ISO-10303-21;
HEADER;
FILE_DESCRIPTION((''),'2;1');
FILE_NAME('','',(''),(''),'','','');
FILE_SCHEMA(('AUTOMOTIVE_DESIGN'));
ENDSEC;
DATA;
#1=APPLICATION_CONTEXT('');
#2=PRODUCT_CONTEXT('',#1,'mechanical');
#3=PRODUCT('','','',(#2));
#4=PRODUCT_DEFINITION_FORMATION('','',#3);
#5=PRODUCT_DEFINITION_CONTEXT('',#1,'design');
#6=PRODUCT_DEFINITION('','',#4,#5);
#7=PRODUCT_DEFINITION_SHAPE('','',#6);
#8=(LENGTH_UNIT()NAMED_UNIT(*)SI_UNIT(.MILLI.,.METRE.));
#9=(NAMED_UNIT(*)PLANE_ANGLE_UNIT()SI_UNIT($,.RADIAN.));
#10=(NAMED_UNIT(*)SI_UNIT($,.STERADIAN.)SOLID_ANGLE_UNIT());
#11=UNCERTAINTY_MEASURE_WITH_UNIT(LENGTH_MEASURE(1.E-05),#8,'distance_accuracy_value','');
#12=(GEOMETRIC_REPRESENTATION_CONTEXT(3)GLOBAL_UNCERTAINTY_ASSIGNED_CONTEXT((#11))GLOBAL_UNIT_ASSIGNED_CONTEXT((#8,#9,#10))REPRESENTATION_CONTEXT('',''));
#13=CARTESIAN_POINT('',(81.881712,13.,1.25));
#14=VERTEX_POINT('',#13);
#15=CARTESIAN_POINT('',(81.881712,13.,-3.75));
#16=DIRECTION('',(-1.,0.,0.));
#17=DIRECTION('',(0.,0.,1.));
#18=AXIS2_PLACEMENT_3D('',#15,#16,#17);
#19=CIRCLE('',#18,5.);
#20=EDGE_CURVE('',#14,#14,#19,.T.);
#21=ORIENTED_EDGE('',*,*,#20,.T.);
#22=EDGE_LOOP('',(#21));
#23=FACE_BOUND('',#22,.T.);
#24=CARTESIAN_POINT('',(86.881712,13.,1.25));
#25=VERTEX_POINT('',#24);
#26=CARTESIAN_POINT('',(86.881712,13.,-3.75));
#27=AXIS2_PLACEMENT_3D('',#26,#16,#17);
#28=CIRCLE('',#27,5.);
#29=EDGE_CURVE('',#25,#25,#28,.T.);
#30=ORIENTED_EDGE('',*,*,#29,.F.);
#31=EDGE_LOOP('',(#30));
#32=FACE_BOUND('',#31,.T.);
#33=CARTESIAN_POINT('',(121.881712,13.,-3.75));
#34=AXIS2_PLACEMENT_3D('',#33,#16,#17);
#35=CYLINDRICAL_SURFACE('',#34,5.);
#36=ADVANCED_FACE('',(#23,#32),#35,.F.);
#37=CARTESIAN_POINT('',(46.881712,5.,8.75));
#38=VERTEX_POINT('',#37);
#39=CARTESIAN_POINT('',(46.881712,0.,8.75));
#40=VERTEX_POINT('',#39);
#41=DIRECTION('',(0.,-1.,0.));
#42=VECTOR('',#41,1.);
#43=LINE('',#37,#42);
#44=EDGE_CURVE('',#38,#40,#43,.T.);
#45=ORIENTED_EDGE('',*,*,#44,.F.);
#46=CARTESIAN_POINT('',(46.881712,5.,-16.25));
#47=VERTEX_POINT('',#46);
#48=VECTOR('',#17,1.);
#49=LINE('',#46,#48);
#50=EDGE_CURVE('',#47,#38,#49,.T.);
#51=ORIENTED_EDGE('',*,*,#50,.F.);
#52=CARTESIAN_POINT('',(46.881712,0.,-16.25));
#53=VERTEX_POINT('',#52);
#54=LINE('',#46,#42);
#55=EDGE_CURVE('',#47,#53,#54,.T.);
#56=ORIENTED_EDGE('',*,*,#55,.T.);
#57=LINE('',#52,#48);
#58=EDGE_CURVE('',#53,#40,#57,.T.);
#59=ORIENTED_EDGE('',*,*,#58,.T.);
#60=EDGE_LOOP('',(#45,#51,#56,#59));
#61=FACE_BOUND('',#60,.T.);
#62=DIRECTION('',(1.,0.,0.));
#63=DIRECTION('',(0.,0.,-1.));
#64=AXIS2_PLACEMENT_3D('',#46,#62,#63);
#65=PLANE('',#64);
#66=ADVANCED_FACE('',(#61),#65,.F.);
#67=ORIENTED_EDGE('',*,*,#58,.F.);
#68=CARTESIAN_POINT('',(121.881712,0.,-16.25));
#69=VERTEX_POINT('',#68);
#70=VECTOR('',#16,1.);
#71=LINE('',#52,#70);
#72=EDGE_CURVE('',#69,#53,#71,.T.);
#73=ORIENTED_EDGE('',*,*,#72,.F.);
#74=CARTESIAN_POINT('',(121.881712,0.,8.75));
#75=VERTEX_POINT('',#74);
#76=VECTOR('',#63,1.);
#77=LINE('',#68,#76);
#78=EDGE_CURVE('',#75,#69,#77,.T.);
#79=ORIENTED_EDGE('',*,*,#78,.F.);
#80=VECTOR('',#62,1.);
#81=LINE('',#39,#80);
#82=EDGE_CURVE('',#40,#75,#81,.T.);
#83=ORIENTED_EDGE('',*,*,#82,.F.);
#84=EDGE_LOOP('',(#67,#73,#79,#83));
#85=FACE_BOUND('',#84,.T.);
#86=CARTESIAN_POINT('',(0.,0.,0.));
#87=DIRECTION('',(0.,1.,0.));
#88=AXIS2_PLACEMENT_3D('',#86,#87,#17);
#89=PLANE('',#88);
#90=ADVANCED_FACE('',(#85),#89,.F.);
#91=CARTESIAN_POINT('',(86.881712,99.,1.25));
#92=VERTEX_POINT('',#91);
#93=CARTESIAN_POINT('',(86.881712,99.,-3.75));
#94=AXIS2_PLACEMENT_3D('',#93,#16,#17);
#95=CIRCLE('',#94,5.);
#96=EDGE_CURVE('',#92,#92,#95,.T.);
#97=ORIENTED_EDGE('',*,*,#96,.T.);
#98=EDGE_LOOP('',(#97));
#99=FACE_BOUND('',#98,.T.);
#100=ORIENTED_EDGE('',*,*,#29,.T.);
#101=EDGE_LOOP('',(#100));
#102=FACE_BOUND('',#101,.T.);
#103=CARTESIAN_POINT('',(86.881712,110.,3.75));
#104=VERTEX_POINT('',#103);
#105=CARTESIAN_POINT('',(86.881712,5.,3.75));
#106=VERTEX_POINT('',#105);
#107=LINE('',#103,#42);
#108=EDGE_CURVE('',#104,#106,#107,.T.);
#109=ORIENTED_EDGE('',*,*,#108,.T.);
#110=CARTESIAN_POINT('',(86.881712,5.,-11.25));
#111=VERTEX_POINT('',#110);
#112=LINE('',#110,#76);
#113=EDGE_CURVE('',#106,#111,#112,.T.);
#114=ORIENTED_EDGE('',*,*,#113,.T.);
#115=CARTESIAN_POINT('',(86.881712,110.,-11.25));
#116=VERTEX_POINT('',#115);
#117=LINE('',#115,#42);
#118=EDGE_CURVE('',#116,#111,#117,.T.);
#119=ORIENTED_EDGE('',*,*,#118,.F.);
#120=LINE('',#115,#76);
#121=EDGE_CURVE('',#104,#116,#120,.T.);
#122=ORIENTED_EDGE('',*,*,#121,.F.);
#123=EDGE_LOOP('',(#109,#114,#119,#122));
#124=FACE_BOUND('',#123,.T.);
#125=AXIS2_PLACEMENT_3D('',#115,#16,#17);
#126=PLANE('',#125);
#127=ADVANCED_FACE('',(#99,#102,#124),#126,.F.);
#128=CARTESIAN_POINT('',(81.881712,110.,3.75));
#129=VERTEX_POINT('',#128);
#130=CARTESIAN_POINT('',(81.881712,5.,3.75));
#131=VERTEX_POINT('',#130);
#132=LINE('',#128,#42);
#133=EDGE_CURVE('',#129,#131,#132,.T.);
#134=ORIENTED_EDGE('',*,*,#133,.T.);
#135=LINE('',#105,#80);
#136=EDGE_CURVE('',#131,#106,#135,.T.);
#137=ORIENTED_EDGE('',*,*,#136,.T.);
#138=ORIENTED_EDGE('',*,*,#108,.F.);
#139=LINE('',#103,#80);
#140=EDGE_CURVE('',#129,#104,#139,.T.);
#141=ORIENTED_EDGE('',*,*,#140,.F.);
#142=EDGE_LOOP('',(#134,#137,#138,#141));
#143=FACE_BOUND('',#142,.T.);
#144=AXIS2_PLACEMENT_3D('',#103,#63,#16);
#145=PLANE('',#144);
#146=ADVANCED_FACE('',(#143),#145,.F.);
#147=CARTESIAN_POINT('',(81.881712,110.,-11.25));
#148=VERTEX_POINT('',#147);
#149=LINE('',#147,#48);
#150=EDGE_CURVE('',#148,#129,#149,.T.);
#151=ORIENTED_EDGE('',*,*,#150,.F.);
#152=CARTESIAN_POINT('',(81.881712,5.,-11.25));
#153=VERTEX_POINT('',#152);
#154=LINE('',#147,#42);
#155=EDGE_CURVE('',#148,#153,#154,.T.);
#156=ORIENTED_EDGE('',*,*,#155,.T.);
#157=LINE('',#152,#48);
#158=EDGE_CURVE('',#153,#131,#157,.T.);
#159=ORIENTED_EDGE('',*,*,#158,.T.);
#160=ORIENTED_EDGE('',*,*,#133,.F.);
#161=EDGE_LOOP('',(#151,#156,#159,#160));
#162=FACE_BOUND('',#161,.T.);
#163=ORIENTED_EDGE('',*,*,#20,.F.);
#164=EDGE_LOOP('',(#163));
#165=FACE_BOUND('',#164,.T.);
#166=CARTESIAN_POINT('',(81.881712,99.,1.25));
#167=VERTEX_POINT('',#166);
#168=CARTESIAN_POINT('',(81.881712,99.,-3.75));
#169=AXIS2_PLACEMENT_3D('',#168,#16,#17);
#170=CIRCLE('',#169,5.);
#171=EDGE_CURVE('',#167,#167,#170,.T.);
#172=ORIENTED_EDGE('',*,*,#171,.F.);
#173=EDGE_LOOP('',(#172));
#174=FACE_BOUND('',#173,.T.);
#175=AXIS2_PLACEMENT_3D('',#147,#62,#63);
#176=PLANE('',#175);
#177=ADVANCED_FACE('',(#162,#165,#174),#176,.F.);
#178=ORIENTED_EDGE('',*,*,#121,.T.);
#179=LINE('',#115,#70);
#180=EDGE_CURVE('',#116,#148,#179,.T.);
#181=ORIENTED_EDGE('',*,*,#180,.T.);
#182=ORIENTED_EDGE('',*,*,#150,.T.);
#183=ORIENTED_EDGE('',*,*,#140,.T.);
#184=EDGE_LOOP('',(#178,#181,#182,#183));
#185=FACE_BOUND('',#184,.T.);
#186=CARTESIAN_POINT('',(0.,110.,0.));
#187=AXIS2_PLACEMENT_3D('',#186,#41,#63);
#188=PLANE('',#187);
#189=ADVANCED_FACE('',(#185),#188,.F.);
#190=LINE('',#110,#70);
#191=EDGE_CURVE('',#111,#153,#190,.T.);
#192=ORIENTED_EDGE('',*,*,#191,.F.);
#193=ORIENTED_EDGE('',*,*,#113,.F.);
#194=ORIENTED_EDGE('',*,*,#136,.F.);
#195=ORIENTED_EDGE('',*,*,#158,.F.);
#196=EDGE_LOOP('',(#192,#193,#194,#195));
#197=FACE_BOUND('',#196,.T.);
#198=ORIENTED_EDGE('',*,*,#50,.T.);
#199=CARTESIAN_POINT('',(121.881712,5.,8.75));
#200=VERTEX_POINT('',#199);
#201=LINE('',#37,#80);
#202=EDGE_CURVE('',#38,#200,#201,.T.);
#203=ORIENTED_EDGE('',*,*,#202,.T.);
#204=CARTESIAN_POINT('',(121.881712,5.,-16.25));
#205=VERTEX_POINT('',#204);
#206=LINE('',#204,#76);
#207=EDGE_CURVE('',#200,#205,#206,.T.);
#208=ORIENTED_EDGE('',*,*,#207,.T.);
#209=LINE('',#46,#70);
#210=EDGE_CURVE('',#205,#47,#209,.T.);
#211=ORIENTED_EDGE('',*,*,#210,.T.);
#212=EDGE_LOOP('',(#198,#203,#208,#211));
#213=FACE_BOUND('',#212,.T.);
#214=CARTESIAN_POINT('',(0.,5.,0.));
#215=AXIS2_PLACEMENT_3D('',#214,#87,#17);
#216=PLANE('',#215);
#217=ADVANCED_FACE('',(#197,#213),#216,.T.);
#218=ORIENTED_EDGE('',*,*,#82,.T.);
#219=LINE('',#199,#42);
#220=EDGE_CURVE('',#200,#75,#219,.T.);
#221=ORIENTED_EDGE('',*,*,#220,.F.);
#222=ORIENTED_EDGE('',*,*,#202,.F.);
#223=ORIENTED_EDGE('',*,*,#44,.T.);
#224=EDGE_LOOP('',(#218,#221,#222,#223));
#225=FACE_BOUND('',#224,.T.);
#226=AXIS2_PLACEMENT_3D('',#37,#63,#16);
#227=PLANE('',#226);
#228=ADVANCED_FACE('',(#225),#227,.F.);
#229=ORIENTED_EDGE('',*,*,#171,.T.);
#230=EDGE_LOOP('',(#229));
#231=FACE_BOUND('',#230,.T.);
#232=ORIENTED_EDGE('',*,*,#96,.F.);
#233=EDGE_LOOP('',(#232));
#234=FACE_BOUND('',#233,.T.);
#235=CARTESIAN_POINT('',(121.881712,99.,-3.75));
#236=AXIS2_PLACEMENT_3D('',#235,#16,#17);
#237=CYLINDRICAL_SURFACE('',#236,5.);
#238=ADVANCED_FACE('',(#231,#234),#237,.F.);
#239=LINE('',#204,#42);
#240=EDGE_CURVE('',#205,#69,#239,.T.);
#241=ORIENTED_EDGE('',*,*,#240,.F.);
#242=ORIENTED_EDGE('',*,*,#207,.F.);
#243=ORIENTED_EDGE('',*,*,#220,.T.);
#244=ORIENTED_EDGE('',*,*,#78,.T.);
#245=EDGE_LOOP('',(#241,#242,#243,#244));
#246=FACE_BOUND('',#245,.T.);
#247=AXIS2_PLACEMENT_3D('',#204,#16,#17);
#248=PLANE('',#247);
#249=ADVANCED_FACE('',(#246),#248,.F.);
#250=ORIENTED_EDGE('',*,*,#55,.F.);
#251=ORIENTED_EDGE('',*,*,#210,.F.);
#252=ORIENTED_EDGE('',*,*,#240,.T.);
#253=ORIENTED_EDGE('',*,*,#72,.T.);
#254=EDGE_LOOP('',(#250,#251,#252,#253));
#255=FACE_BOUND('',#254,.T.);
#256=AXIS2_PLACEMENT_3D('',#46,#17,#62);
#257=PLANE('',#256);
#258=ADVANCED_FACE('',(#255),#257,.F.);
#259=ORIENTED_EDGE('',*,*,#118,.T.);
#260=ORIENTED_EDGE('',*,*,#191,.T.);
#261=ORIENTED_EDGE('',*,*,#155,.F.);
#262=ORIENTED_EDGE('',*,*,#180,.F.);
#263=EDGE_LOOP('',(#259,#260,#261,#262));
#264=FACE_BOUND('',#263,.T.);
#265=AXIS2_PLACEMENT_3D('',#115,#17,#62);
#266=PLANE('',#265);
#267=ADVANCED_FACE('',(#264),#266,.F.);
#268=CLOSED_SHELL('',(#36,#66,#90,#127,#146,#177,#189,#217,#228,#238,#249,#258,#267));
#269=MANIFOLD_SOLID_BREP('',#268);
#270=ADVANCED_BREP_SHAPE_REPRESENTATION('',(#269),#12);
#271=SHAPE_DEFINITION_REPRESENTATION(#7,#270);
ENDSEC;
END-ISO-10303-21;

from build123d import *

# Parameters (mm, degrees)
SKETCH1_W           = 75
SKETCH1_H           = 25
BOSS_EXTRUDE1_DEPTH = 5
SKETCH2_W           = 5
SKETCH2_H           = 15
BOSS_EXTRUDE3_DEPTH = 105
SKETCH3_R           = 5
CUT_EXTRUDE1_DEPTH  = 41
SKETCH4_R           = 5
CUT_EXTRUDE2_DEPTH  = 41


with BuildPart() as part:
    # Sketch1 → Boss-Extrude1 (new body)
    with BuildSketch(Plane(origin=(0, 0, 0), x_dir=(1, 0, 0), z_dir=(0, 1, 0))):
        with Locations((84.381711682, 3.75)):
            Rectangle(SKETCH1_W, SKETCH1_H)
    extrude(amount=BOSS_EXTRUDE1_DEPTH)

    # Sketch2 → Boss-Extrude3 (add)
    with BuildSketch(Plane(origin=(0, 5, 0), x_dir=(1, 0, 0), z_dir=(0, 1, 0))):
        with Locations((84.381711682, 3.75)):
            Rectangle(SKETCH2_W, SKETCH2_H)
    extrude(amount=BOSS_EXTRUDE3_DEPTH)

    # Sketch3 → Cut-Extrude1 (cut, through all)
    with BuildSketch(Plane.ZY.offset(-81.881711682)):
        with Locations((-3.75, 13)):
            Circle(SKETCH3_R)
    extrude(amount=-CUT_EXTRUDE1_DEPTH, mode=Mode.SUBTRACT)

    # Sketch4 → Cut-Extrude2 (cut, through all)
    with BuildSketch(Plane.ZY.offset(-81.881711682)):
        with Locations((-3.75, 99)):
            Circle(SKETCH4_R)
    extrude(amount=-CUT_EXTRUDE2_DEPTH, mode=Mode.SUBTRACT)


solid = part.part
